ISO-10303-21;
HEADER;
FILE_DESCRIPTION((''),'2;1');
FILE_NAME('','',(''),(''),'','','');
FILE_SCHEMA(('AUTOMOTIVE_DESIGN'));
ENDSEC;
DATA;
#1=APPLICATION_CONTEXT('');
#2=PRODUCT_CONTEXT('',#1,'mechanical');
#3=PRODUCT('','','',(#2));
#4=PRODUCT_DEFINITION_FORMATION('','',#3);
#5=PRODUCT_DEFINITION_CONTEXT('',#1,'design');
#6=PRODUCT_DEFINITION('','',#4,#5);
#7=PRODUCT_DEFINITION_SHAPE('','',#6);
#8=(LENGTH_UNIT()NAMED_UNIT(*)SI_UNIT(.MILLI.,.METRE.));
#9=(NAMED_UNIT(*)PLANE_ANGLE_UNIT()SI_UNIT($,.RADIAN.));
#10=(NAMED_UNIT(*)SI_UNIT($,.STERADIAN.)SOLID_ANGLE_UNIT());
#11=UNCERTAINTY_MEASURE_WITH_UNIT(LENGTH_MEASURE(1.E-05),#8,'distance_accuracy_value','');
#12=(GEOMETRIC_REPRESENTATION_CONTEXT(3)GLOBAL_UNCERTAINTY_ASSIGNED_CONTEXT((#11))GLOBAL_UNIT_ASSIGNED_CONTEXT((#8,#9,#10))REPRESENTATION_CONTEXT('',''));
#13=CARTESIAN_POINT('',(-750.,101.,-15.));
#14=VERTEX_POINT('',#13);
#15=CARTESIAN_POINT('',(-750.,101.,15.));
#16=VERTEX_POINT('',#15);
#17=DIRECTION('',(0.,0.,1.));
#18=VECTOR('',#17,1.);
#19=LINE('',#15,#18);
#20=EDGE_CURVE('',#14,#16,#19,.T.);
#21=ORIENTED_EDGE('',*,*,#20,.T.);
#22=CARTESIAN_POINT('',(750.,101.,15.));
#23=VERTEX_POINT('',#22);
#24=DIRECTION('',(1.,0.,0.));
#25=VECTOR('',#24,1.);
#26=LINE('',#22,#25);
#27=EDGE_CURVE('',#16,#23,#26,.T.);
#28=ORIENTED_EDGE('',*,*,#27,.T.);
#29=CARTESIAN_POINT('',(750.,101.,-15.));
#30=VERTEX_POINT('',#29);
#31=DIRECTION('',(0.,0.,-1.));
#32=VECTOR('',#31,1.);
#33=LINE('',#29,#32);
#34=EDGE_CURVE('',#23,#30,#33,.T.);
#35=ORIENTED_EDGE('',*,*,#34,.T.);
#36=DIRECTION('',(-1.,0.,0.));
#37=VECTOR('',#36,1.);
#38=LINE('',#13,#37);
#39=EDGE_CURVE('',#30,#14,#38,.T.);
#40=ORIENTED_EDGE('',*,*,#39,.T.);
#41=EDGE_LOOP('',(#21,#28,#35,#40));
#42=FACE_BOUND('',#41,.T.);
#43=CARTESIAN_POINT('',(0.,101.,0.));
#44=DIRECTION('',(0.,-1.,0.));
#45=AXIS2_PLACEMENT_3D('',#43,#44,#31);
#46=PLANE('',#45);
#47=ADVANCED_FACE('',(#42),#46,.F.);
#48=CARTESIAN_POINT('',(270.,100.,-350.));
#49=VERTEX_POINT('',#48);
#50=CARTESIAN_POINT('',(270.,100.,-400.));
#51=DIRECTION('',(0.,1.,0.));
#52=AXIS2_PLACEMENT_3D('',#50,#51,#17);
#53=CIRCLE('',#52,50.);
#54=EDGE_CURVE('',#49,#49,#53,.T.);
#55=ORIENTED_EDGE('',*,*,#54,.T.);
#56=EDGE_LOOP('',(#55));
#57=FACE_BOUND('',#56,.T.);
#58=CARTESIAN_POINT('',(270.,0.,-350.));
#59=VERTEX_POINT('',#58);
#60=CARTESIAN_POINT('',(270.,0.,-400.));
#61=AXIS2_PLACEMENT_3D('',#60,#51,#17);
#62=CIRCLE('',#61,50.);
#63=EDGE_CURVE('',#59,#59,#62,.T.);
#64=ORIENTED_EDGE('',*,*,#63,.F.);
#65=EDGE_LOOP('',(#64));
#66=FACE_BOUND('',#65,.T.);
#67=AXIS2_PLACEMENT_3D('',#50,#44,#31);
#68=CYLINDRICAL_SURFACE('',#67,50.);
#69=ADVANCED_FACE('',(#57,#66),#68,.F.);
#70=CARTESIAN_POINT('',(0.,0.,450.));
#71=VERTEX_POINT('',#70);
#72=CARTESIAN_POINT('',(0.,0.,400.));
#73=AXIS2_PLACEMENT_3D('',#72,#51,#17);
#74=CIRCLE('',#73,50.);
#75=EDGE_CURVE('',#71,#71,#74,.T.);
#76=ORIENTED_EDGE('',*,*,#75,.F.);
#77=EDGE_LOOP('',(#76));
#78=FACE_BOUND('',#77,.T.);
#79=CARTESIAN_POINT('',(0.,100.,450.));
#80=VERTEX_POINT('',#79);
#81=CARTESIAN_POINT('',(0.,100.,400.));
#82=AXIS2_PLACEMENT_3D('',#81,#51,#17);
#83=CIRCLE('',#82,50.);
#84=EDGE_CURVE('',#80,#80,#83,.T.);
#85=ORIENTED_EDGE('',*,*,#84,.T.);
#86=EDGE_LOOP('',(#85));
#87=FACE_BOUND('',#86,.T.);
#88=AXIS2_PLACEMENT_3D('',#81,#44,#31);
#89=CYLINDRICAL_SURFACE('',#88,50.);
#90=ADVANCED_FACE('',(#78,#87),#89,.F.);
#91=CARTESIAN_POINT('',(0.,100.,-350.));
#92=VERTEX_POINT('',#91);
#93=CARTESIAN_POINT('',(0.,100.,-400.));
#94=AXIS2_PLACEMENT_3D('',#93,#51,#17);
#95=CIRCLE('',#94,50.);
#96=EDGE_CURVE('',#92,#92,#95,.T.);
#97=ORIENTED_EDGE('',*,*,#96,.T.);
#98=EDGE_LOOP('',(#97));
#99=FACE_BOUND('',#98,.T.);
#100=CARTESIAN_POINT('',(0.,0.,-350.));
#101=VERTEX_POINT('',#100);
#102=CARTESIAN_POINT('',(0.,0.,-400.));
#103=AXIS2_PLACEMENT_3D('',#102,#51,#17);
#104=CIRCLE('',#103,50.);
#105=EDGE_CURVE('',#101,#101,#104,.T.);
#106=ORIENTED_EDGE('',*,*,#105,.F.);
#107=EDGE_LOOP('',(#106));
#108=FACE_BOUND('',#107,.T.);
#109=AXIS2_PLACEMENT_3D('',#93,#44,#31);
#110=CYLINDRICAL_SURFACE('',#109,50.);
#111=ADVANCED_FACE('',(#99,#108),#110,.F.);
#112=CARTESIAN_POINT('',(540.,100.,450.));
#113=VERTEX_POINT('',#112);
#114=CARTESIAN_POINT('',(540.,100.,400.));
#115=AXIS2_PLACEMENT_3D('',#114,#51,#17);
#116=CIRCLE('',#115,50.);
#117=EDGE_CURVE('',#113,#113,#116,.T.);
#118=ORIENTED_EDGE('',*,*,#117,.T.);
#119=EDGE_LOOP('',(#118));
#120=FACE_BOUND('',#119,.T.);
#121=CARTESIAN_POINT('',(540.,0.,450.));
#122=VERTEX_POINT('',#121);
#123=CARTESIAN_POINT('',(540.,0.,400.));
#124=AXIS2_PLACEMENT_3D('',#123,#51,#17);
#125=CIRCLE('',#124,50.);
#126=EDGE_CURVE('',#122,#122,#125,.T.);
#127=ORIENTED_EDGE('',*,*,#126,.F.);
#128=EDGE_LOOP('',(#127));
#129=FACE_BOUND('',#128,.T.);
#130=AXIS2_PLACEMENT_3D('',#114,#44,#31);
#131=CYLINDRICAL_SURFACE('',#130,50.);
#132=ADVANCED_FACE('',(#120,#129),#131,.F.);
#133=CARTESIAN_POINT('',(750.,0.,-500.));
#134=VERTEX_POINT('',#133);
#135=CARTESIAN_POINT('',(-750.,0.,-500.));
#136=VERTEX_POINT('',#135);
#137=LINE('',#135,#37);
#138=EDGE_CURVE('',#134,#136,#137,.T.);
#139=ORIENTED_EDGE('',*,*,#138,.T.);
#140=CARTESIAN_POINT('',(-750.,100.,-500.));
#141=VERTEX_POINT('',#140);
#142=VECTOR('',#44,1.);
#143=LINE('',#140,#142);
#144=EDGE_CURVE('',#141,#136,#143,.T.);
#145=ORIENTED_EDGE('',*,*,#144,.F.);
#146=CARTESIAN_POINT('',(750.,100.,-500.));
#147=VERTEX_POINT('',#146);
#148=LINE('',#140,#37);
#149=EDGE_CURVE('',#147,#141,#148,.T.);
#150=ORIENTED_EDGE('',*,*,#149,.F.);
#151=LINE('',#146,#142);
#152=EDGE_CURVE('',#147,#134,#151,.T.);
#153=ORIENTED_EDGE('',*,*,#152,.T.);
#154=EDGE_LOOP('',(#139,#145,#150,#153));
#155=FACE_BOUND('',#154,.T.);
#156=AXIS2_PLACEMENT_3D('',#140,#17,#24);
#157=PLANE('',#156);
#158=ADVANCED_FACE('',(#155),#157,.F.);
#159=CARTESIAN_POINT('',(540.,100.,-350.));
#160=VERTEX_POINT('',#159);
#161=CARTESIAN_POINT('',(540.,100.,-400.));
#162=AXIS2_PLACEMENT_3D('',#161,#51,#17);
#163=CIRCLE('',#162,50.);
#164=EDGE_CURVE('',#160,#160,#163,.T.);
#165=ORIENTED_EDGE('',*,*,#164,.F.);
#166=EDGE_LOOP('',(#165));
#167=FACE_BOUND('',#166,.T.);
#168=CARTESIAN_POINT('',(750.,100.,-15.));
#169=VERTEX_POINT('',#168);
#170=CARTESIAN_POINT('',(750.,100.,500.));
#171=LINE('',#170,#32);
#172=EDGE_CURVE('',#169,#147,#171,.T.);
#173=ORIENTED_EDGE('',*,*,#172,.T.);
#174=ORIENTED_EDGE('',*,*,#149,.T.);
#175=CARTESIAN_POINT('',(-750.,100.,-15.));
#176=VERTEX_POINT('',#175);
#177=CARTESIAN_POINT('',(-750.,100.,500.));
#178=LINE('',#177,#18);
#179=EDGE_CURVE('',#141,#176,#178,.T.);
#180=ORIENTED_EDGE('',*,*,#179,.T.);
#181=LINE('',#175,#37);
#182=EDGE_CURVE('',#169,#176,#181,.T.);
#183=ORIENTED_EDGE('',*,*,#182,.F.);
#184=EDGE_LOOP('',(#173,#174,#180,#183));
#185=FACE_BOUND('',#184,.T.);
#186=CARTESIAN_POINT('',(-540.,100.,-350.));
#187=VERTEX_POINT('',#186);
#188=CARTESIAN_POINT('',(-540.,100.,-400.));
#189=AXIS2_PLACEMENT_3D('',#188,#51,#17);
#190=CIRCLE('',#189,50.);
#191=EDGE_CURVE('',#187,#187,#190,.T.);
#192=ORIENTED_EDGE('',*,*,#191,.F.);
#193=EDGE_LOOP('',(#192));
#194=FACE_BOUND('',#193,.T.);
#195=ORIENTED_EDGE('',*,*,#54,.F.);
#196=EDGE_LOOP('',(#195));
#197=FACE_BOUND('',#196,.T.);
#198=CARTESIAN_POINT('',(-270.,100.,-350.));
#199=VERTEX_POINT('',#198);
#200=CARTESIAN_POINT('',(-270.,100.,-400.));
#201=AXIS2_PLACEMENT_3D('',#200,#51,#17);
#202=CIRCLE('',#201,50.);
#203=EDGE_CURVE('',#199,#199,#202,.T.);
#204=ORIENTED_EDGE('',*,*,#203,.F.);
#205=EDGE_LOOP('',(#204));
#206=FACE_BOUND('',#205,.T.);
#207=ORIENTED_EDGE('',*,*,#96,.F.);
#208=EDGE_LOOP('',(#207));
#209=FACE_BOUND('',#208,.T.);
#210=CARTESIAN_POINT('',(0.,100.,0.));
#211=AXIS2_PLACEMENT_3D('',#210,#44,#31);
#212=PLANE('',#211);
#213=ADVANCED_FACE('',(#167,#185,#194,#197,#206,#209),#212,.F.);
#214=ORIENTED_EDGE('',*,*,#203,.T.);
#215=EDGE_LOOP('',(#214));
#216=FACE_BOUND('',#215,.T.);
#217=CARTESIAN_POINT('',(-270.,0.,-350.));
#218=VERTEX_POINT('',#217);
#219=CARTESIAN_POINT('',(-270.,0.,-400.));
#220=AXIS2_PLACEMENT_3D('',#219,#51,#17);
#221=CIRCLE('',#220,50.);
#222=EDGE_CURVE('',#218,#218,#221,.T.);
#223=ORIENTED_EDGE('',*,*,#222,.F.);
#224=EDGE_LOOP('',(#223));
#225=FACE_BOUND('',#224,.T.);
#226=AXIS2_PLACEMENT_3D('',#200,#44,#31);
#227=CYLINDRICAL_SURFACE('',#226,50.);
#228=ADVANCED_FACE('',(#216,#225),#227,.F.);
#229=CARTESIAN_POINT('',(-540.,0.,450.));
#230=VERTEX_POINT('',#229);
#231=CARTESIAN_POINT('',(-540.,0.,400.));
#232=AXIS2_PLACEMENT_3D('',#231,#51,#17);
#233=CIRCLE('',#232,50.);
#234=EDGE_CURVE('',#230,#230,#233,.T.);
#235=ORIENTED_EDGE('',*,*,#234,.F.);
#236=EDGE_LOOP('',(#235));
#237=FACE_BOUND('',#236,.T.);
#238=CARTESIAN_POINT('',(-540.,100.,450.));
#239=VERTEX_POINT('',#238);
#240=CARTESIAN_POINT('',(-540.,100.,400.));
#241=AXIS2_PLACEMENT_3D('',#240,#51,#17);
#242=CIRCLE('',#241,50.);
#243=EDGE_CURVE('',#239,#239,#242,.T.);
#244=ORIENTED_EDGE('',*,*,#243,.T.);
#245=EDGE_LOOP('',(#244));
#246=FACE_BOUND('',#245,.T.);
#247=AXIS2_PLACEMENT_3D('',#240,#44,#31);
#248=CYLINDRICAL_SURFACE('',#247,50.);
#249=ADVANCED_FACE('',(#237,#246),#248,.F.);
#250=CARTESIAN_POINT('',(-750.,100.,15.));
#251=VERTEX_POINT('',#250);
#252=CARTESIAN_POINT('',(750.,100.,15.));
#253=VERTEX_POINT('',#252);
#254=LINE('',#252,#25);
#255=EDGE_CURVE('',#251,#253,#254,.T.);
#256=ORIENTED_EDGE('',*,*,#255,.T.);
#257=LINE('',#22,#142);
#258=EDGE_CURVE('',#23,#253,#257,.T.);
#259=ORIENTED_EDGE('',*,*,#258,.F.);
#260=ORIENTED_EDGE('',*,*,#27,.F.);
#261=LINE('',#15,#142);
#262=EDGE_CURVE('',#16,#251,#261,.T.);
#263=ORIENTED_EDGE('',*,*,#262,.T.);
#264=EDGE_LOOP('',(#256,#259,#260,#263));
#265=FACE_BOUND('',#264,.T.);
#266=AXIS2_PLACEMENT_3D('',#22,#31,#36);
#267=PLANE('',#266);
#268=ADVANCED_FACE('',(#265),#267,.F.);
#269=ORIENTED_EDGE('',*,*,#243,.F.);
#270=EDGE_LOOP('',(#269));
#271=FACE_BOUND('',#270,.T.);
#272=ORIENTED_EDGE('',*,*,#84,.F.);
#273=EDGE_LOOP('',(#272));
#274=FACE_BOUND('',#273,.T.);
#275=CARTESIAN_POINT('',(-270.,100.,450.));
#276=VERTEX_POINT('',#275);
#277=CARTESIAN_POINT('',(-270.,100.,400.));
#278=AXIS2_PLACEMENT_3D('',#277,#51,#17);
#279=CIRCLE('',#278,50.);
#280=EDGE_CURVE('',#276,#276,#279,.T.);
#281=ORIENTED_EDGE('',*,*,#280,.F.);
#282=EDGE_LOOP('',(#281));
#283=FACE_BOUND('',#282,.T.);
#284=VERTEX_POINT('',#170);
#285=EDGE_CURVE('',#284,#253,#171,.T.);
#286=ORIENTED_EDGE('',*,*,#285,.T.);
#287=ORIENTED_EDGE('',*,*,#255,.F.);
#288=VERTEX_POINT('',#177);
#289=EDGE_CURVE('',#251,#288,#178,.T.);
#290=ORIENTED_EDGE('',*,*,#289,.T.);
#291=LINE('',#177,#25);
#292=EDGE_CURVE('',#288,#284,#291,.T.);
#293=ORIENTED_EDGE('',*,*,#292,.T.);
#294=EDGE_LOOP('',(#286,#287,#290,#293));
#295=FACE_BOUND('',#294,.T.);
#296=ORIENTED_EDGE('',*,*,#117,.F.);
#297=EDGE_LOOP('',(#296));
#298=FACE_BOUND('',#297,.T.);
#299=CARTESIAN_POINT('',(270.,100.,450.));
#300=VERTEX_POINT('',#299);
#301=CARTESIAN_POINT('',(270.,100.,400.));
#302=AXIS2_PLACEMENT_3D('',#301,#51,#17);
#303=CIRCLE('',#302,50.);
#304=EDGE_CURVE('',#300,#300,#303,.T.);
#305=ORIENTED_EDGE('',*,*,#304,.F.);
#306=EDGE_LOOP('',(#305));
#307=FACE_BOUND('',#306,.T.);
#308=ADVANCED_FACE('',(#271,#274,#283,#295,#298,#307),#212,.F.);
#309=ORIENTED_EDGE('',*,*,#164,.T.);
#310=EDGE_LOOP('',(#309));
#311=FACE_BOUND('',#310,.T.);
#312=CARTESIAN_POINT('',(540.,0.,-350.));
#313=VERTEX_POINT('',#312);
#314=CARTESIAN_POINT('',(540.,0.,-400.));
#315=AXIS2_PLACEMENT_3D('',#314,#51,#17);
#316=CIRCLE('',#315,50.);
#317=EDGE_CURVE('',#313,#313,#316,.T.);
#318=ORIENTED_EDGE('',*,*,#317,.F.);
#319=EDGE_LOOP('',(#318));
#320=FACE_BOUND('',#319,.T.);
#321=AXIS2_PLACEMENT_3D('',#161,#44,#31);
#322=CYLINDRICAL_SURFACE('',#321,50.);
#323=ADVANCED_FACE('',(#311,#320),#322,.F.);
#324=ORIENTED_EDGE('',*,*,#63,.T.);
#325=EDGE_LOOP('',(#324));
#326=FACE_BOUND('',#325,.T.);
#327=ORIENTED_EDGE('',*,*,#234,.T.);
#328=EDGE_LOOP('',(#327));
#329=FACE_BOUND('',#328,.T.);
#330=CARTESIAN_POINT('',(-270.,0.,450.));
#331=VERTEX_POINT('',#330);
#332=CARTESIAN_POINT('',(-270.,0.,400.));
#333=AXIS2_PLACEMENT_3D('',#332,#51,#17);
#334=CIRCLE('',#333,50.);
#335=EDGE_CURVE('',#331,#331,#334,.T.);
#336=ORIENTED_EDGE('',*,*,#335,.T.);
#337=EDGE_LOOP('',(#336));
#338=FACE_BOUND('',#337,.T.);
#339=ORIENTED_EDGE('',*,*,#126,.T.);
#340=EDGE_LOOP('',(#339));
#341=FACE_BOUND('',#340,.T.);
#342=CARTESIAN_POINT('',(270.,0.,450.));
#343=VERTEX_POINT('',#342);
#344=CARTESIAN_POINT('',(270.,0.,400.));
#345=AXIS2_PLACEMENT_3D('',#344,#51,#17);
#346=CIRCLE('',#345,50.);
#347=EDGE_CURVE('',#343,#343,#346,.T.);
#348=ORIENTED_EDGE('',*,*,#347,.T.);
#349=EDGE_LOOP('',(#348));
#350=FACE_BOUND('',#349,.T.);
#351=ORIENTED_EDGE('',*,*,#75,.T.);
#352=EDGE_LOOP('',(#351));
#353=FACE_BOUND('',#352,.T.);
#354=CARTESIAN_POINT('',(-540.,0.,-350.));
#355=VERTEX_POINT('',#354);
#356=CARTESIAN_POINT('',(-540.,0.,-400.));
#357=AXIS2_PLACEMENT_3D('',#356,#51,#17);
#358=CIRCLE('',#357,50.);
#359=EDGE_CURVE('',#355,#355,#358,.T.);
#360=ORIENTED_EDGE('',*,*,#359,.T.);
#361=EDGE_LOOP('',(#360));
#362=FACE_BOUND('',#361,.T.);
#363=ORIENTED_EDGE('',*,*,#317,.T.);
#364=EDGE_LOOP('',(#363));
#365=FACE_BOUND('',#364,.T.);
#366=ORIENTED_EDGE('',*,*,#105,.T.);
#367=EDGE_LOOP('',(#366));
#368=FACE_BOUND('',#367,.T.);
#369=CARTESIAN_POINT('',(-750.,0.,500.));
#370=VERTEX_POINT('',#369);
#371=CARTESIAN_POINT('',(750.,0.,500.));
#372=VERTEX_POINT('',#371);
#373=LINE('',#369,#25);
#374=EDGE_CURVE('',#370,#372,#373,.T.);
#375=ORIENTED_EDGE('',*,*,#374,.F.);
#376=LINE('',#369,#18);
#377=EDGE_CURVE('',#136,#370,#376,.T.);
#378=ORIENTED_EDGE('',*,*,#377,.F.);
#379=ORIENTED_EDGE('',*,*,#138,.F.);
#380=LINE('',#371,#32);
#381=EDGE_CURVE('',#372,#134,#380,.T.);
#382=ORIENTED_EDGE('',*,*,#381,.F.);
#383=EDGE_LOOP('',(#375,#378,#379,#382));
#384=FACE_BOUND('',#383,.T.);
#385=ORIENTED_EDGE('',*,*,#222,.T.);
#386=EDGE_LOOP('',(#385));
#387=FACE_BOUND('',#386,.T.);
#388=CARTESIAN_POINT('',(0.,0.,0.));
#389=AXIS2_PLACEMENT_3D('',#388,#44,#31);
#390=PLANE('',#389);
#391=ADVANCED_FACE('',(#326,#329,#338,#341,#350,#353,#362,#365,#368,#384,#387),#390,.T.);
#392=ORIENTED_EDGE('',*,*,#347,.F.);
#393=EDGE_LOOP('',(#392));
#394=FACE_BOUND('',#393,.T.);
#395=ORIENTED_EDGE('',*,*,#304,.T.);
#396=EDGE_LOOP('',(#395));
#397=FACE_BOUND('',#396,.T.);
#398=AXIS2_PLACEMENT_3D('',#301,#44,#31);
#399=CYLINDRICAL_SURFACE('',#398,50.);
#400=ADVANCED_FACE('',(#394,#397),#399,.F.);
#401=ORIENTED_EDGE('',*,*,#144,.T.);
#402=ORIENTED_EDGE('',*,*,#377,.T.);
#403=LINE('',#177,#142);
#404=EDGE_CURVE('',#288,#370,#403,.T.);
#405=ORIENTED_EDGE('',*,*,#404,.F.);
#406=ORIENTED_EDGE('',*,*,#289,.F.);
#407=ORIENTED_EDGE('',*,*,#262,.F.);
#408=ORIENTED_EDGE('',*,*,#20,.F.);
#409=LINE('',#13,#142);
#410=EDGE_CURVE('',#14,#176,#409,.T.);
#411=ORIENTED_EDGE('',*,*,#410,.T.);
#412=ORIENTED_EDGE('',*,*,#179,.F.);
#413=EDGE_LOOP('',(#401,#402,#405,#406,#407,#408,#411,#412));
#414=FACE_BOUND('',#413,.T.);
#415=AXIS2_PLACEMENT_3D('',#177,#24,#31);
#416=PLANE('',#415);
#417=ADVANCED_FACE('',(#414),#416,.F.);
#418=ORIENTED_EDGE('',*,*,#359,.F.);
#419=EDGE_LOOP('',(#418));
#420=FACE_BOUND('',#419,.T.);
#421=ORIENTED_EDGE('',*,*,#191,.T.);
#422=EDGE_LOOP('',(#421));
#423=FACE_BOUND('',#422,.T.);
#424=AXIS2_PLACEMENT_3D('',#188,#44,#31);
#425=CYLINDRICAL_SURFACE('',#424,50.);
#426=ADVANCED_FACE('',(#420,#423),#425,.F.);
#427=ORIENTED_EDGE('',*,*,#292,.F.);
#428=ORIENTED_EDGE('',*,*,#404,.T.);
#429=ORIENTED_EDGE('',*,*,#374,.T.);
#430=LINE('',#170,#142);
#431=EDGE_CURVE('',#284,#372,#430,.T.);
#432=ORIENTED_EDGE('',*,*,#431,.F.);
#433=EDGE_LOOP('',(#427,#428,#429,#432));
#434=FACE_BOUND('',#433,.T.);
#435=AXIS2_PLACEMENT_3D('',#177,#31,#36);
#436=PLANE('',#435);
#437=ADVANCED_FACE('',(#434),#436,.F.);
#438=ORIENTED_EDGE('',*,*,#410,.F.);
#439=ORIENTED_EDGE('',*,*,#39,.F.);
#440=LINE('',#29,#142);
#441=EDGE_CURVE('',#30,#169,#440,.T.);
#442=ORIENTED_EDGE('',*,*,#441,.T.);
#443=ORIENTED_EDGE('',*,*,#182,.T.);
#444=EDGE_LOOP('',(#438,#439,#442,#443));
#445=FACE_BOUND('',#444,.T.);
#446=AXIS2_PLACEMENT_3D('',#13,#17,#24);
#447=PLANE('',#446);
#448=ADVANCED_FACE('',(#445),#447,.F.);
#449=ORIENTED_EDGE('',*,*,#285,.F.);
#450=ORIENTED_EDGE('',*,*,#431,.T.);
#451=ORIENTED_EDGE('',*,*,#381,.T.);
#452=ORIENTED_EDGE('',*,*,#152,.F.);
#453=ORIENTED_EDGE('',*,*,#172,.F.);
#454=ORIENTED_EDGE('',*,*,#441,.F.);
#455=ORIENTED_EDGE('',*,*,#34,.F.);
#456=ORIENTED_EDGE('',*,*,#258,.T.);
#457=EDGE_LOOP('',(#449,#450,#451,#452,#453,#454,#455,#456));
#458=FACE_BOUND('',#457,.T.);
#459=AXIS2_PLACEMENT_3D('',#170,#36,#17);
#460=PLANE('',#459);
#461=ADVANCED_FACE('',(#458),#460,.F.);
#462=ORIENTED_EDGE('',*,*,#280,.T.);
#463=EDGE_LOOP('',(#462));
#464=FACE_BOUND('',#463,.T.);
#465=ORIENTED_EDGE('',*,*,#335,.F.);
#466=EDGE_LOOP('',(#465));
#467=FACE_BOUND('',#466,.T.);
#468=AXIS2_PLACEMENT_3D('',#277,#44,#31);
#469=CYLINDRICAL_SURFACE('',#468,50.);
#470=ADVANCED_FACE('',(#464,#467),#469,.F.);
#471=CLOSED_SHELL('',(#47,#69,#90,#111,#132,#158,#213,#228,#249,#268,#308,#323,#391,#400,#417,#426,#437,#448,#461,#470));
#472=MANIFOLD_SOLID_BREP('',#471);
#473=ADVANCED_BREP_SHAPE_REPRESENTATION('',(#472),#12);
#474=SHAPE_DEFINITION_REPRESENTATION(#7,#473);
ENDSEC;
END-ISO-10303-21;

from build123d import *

# Parameters (mm, degrees)
SKETCH1_W           = 1500
SKETCH1_H           = 1000
SKETCH1_R           = 50
BOSS_EXTRUDE1_DEPTH = 100
BOSS_EXTRUDE2_DEPTH = 1


with BuildPart() as part:
    # Sketch1 → Boss-Extrude1 (new body)
    with BuildSketch(Plane(origin=(0, 0, 0), x_dir=(1, 0, 0), z_dir=(0, 1, 0))):
        Rectangle(SKETCH1_W, SKETCH1_H)
        with Locations(Location((-540, -400, 0), (0, 0, 270))):
            Circle(SKETCH1_R, mode=Mode.SUBTRACT)
        with Locations(Location((-270, -400, 0), (0, 0, 270))):
            Circle(SKETCH1_R, mode=Mode.SUBTRACT)
        with Locations(Location((0, -400, 0), (0, 0, 270))):
            Circle(SKETCH1_R, mode=Mode.SUBTRACT)
        with Locations(Location((270, -400, 0), (0, 0, 270))):
            Circle(SKETCH1_R, mode=Mode.SUBTRACT)
        with Locations(Location((540, -400, 0), (0, 0, 270))):
            Circle(SKETCH1_R, mode=Mode.SUBTRACT)
        with Locations(Location((-270, 400, 0), (0, 0, 270))):
            Circle(SKETCH1_R, mode=Mode.SUBTRACT)
        with Locations(Location((0, 400, 0), (0, 0, 270))):
            Circle(SKETCH1_R, mode=Mode.SUBTRACT)
        with Locations(Location((270, 400, 0), (0, 0, 270))):
            Circle(SKETCH1_R, mode=Mode.SUBTRACT)
        with Locations(Location((540, 400, 0), (0, 0, 270))):
            Circle(SKETCH1_R, mode=Mode.SUBTRACT)
        with Locations(Location((-540, 400, 0), (0, 0, 270))):
            Circle(SKETCH1_R, mode=Mode.SUBTRACT)
    extrude(amount=BOSS_EXTRUDE1_DEPTH)

    # Sketch2 → Boss-Extrude2 (add)
    with BuildSketch(Plane(origin=(0, 100, 0), x_dir=(1, 0, 0), z_dir=(0, 1, 0))):
        Polygon((-750, 0), (-750, 15), (750, 15), (750, -15), (-750, -15), align=None)
    extrude(amount=BOSS_EXTRUDE2_DEPTH)


solid = part.part
